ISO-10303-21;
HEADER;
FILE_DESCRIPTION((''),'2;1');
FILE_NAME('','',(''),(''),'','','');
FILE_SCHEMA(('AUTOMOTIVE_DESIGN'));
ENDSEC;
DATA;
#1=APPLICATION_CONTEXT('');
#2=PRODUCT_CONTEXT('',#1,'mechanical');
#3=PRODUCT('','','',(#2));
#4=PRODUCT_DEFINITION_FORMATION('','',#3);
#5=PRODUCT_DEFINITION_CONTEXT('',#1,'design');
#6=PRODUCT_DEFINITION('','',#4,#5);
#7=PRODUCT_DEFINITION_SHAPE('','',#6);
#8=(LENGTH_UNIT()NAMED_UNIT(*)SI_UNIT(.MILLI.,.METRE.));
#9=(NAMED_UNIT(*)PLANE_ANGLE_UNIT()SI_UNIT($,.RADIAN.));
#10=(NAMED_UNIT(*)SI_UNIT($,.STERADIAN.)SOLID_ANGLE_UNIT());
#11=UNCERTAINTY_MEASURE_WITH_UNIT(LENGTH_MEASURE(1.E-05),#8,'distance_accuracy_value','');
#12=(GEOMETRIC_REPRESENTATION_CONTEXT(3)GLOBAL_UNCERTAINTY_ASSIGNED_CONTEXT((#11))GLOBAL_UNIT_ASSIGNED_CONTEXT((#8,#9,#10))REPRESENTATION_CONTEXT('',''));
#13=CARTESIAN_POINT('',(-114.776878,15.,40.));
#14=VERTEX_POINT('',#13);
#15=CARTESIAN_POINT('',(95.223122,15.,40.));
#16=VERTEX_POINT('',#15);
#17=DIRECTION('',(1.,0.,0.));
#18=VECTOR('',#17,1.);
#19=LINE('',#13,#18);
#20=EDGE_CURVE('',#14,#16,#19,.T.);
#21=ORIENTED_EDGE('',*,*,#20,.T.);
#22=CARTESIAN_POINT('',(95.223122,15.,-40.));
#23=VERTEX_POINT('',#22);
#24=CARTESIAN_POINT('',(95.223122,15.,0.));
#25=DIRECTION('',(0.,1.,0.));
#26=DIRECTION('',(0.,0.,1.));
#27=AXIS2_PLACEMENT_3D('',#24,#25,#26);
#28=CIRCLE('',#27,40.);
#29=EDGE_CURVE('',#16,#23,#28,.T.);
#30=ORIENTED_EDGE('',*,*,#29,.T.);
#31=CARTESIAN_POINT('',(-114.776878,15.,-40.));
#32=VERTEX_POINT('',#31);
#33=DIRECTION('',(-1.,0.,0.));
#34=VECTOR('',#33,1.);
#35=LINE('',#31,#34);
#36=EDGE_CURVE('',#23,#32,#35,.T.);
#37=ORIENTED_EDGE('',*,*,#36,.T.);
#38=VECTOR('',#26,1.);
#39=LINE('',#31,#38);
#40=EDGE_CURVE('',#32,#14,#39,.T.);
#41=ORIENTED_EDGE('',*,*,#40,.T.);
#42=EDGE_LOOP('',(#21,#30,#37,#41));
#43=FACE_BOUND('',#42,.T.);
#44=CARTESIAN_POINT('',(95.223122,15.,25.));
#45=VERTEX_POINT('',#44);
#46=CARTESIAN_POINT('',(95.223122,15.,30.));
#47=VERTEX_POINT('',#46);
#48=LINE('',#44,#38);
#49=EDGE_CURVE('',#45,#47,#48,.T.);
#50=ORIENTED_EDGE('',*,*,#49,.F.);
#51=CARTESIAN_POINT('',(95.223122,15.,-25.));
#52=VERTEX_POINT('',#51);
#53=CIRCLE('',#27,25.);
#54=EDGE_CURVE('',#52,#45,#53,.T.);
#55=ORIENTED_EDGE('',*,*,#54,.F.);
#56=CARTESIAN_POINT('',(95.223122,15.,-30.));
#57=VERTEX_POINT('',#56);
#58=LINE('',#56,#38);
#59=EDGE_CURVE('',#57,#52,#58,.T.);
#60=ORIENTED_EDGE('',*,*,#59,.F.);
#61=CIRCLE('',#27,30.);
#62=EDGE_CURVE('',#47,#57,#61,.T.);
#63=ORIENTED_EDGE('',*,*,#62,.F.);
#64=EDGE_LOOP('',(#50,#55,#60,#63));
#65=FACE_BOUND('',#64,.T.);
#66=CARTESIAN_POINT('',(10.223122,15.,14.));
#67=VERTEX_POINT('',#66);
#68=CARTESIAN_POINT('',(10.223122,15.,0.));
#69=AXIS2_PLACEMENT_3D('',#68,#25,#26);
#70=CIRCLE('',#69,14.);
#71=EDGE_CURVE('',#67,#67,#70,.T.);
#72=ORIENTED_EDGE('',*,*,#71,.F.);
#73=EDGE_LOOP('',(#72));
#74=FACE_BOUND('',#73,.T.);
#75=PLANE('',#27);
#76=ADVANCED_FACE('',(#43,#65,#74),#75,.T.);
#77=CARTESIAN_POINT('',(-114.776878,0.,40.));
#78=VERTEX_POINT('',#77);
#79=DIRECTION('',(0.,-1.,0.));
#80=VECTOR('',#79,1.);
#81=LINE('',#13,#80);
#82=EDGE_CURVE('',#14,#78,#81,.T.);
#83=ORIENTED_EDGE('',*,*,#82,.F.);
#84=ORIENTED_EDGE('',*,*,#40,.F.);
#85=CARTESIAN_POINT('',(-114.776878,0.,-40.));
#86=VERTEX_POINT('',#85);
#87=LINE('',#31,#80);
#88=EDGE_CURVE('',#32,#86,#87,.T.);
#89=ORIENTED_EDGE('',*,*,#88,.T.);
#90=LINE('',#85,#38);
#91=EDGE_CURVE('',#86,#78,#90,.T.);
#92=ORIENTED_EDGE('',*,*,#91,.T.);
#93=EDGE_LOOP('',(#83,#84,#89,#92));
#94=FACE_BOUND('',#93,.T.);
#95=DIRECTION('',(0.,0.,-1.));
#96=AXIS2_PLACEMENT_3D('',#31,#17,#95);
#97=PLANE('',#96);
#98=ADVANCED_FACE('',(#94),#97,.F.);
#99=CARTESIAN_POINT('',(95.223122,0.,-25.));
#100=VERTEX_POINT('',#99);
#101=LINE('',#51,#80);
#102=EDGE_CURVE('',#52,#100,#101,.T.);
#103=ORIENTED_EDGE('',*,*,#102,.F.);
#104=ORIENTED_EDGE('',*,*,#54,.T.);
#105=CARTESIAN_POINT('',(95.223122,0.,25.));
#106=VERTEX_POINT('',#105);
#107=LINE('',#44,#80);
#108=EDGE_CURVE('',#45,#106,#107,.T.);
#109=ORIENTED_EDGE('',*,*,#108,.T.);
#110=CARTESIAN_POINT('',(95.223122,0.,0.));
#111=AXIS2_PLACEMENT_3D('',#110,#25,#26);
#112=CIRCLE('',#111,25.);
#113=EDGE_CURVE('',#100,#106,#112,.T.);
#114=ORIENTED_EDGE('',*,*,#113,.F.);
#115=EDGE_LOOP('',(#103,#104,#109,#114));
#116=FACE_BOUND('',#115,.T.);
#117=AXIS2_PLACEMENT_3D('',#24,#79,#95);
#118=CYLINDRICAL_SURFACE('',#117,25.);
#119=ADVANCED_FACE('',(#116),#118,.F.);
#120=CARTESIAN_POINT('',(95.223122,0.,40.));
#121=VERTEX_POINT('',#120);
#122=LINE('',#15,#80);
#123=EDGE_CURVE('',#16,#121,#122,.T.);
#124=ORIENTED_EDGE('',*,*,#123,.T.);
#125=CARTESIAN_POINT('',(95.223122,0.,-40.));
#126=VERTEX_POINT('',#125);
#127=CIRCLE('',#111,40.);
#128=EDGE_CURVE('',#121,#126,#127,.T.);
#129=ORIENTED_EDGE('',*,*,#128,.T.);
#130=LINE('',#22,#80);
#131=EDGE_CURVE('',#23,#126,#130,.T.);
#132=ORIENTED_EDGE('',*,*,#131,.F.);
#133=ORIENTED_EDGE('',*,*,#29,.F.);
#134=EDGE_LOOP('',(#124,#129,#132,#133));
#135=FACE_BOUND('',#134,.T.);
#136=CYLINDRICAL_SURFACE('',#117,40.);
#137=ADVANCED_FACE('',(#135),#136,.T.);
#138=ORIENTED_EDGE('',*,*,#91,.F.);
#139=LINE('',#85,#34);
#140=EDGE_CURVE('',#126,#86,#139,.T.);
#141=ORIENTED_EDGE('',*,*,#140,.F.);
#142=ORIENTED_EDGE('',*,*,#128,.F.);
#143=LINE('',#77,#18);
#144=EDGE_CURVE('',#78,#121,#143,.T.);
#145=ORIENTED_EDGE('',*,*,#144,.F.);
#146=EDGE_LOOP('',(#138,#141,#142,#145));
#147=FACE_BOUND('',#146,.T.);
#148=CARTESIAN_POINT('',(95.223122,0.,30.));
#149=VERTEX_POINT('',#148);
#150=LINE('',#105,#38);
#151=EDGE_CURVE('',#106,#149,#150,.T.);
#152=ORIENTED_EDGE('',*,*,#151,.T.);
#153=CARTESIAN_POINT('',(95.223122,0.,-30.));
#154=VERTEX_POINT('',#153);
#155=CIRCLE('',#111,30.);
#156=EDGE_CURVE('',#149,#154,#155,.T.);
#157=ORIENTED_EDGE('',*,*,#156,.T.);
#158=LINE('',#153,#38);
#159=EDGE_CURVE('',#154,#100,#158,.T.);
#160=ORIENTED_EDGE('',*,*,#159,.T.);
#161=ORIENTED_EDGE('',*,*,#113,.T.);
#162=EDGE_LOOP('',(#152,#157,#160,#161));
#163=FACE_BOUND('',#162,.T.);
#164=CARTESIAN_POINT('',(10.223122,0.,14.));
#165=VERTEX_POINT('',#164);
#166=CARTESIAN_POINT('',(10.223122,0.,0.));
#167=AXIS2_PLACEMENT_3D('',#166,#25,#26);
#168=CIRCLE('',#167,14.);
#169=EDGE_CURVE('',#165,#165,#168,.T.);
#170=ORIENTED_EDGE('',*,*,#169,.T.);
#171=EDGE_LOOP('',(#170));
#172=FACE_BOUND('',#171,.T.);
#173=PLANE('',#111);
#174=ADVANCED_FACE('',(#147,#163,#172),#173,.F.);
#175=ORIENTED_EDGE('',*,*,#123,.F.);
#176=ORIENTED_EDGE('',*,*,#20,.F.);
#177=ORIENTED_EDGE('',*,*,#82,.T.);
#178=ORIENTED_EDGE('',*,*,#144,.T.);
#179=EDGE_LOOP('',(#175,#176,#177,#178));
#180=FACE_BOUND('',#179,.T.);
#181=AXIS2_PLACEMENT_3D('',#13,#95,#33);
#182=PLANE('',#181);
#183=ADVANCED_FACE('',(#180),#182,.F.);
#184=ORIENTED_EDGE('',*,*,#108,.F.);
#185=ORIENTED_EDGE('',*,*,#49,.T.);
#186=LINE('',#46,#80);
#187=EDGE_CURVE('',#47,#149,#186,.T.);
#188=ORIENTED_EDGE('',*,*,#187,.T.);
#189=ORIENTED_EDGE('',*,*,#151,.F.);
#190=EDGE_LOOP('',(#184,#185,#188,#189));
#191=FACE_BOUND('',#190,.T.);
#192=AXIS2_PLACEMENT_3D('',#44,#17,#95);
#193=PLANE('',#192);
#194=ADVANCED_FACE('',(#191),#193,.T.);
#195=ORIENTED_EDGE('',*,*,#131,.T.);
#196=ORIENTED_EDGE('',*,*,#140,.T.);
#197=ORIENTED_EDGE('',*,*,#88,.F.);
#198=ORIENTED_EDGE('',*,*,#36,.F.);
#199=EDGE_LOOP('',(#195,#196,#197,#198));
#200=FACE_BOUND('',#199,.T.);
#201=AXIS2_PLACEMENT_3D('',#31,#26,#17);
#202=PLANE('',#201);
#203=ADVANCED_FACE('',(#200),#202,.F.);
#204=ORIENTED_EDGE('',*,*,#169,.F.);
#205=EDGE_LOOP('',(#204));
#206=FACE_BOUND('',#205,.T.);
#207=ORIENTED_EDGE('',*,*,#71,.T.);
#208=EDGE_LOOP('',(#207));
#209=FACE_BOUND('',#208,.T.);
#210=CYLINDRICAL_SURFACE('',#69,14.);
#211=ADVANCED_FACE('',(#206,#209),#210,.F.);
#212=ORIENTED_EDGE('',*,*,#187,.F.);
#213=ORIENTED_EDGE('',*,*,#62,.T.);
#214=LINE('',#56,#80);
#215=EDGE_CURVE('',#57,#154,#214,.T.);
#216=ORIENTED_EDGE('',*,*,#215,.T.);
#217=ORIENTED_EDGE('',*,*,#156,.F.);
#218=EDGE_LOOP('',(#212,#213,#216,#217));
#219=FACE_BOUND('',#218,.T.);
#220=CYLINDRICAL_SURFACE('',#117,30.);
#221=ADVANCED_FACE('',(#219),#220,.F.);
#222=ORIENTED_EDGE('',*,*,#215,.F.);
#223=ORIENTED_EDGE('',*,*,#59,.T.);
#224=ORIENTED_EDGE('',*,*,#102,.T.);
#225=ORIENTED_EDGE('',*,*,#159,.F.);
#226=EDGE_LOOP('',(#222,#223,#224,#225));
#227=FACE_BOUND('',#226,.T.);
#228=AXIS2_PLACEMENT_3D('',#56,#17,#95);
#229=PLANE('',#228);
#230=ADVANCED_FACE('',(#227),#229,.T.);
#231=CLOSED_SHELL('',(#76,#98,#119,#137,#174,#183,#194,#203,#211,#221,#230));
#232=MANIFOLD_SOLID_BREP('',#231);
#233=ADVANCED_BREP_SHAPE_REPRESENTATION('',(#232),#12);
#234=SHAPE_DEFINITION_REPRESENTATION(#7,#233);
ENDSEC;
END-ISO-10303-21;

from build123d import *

# Parameters (mm, degrees)
BOSS_EXTRUDE1_DEPTH          = 15
TAP_DRILL_FOR_M30X2_0_TAP1_D = 28


with BuildPart() as part:
    # Sketch1 → Boss-Extrude1 (new body)
    with BuildSketch(Plane(origin=(0, 0, 0), x_dir=(1, 0, 0), z_dir=(0, 1, 0))):
        with BuildLine():
            Line((-114.776877535, 40), (95.223122465, 40))
            ThreePointArc((95.223122465, 40), (135.223122465, 0), (95.223122465, -40))
            Line((95.223122465, -40), (-114.776877535, -40))
            Line((-114.776877535, -40), (-114.776877535, 40))
        make_face()
        with BuildLine():
            Line((95.223122465, 30), (95.223122465, 25))
            ThreePointArc((95.223122465, 25), (70.223122465, 0), (95.223122465, -25))
            Line((95.223122465, -25), (95.223122465, -30))
            ThreePointArc((95.223122465, -30), (125.223122465, 0), (95.223122465, 30))
        make_face(mode=Mode.SUBTRACT)
    extrude(amount=BOSS_EXTRUDE1_DEPTH)

    # Tap Drill for M30x2.0 Tap1 (through all)
    with Locations(Plane(origin=(0, 15, 0), x_dir=(1, 0, 0), z_dir=(0, 1, 0))):
        with Locations((10.223122465, 0)):
            Hole(TAP_DRILL_FOR_M30X2_0_TAP1_D / 2)


solid = part.part
